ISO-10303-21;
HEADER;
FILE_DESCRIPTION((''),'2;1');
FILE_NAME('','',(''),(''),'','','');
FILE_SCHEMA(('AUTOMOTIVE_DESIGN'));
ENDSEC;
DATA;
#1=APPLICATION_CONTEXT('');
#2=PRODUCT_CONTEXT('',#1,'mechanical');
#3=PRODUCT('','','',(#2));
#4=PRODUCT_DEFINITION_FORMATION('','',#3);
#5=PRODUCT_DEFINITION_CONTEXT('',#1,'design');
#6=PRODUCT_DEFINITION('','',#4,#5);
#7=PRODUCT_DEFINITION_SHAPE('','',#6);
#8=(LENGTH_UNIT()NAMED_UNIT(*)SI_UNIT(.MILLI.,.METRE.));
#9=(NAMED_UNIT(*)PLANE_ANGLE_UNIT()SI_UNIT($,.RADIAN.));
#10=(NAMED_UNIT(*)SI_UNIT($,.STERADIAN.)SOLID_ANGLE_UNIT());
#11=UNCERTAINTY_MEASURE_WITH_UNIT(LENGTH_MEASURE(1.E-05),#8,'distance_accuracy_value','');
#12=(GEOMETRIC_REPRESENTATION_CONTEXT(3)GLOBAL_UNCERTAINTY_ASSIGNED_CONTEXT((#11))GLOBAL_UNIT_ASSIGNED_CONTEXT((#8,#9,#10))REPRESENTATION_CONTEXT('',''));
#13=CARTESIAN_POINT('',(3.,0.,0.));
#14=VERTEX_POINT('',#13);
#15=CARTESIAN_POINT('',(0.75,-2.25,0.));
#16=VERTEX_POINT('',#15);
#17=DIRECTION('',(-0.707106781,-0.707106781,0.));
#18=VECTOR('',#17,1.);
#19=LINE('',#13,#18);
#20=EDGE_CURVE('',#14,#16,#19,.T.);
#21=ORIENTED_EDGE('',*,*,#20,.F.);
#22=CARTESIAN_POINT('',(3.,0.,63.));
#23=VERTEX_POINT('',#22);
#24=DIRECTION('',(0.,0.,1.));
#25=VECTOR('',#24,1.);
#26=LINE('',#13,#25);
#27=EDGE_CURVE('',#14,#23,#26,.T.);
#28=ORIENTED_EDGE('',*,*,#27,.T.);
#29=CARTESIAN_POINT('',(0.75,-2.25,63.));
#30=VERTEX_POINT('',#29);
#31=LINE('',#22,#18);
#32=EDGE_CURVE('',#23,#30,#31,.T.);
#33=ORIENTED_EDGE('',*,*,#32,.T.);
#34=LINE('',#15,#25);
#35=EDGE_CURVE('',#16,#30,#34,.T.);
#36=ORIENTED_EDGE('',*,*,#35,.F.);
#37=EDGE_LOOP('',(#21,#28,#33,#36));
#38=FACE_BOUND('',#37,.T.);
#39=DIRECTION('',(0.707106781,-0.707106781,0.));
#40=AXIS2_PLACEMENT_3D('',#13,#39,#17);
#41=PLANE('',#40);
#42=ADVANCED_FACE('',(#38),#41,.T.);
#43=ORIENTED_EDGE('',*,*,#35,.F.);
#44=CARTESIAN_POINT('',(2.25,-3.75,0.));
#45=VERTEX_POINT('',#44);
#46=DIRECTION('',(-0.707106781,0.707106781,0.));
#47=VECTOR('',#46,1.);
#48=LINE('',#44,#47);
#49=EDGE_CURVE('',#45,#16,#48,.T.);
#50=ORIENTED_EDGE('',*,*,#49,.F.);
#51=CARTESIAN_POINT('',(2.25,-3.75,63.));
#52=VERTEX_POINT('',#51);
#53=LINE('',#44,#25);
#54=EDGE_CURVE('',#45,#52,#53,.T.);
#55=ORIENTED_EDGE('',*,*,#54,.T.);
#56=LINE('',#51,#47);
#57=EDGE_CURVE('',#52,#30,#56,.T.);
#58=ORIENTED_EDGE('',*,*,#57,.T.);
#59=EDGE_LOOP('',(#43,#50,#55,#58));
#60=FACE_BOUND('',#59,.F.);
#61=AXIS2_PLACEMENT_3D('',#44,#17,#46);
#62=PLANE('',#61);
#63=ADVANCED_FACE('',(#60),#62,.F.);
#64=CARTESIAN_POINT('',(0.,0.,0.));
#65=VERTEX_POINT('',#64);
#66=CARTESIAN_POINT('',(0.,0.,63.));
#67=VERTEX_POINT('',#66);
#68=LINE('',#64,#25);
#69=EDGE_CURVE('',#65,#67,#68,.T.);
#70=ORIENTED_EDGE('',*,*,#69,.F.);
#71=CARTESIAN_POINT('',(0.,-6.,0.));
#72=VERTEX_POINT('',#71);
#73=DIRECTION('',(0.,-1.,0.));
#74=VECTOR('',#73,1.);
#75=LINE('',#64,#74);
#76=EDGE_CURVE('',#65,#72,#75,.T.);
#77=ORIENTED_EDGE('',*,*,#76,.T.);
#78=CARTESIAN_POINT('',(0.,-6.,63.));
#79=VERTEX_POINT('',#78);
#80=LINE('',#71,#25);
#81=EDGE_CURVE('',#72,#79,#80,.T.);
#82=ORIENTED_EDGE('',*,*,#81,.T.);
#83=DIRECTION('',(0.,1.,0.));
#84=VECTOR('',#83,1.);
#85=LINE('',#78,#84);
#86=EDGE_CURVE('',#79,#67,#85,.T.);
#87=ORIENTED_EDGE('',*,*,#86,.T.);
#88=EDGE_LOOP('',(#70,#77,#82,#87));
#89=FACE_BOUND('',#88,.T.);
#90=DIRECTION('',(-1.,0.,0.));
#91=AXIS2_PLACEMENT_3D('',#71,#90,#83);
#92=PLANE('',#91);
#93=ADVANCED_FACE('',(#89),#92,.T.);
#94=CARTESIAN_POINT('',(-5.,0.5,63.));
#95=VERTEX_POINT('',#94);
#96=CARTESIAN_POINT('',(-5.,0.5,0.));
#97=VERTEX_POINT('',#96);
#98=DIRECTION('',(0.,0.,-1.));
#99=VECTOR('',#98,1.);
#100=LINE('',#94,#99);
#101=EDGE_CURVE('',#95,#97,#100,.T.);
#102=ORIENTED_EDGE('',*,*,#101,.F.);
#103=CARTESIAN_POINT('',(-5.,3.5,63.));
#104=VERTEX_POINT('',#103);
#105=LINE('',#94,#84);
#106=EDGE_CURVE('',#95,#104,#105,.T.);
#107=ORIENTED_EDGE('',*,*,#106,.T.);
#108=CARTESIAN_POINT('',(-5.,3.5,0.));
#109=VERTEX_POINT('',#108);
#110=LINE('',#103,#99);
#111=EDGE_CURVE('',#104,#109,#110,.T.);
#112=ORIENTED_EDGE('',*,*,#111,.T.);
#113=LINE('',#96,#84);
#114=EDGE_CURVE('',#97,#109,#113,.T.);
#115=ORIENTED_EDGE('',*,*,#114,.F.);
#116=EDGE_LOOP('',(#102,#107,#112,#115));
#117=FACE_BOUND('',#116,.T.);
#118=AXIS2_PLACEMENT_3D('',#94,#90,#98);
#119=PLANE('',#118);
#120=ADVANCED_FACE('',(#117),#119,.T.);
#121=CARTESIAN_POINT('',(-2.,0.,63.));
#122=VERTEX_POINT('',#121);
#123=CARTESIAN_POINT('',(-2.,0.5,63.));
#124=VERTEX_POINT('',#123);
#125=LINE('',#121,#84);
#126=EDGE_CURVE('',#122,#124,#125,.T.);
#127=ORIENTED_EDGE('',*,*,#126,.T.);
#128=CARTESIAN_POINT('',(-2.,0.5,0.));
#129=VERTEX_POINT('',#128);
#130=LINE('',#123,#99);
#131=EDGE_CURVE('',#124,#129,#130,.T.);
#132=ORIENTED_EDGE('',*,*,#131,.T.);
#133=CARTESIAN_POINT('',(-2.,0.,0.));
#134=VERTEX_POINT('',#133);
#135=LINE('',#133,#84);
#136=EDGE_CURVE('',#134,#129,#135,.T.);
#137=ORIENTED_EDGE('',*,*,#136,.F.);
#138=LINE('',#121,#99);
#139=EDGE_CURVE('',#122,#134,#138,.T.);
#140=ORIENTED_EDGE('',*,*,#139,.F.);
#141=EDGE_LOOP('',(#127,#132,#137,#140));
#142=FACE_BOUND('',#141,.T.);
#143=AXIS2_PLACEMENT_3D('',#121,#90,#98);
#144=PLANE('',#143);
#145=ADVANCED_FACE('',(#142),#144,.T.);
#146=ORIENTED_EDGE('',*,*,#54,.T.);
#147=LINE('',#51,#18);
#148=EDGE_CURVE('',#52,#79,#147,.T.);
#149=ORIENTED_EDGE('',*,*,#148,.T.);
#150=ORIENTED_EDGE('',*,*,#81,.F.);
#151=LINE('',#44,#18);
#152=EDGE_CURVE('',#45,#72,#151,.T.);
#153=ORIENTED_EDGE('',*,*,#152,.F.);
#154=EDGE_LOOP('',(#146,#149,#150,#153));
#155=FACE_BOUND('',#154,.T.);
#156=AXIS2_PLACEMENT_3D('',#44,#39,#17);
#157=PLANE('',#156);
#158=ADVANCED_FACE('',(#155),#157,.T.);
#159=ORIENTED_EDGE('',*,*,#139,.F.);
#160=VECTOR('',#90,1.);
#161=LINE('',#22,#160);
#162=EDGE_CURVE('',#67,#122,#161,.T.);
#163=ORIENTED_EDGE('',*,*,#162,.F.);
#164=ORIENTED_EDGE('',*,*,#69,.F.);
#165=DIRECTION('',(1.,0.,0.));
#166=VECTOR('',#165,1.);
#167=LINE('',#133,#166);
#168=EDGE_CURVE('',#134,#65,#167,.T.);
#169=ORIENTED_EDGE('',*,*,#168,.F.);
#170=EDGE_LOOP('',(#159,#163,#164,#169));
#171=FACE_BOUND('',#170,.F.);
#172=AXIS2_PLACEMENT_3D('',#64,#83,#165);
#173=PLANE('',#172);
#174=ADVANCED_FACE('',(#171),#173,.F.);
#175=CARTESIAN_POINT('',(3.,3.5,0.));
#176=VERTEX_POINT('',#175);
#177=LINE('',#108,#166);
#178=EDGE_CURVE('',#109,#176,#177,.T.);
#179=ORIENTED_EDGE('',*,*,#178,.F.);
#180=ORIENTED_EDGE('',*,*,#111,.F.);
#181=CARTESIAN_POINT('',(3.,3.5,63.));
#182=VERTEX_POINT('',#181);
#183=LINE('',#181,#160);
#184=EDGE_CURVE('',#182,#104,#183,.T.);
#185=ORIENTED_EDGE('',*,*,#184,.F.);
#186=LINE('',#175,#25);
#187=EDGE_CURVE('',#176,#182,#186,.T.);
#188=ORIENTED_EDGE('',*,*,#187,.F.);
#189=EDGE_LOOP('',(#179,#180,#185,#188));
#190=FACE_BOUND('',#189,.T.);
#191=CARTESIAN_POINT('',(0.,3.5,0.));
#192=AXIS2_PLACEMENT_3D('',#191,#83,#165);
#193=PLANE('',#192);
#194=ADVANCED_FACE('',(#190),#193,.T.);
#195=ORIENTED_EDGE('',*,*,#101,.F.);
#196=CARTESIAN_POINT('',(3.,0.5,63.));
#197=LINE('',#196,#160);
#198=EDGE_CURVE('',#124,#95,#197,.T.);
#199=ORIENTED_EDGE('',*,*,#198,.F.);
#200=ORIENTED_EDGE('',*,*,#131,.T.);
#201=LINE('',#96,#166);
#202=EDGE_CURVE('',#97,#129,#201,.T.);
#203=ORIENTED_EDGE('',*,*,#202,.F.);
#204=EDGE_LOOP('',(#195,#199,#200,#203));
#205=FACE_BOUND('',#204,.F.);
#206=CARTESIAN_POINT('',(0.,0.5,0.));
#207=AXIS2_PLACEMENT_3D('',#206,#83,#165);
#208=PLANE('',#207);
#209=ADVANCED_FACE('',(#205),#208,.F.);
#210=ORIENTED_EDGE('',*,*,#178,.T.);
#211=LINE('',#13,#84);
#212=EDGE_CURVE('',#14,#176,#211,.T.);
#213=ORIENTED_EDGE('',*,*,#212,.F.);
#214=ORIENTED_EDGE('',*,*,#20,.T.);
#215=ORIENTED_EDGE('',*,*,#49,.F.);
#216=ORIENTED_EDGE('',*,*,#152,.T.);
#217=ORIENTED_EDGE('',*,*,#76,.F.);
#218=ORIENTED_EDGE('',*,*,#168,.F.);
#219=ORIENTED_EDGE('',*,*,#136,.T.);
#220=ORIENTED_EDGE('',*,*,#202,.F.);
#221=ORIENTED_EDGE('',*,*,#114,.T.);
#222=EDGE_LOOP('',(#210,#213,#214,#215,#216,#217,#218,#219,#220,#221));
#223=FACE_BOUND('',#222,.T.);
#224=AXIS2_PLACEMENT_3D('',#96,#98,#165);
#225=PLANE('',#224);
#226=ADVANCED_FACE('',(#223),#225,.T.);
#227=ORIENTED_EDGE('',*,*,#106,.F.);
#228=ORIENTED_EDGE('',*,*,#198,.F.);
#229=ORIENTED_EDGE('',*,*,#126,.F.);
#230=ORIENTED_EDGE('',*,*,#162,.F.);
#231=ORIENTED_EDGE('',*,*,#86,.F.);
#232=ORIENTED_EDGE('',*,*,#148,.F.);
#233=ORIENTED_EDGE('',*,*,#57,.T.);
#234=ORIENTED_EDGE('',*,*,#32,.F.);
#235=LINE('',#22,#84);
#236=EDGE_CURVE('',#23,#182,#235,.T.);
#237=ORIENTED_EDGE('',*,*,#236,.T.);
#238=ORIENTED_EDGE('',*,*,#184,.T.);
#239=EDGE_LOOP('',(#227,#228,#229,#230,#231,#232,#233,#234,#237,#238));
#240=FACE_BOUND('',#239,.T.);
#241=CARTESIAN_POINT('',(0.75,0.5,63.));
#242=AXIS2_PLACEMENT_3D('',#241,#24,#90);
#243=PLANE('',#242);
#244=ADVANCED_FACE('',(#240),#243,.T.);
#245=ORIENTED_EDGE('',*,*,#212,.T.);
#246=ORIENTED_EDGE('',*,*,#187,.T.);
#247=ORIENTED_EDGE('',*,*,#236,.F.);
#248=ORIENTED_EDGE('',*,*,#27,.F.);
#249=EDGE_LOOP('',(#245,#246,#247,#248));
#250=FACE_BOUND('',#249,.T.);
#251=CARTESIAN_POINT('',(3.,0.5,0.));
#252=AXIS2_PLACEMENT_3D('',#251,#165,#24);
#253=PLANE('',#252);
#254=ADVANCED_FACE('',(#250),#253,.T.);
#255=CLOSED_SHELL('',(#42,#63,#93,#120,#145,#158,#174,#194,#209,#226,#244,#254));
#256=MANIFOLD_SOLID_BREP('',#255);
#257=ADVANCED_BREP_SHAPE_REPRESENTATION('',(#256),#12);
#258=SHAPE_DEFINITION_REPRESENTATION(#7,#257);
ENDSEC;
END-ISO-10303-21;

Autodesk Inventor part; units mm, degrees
ref_plane "YZ Plane" through (0, 0, 0) normal (1, 0, 0) x (0, 1, 0)
ref_plane "XZ Plane" through (0, 0, 0) normal (0, 1, 0) x (-1, 0, 0)
ref_plane "XY Plane" through (0, 0, 0) normal (0, 0, 1) x (1, 0, 0)
sketch "Sketch1" plane through (0, 0, 0) normal (0, 0, 1) x (1, 0, 0)
  line L0 (0, -6) -> (0, -3) construction
  line L1 (2.25, -3.75) -> (0, -6) construction
  line L2 (2.25, -3.75) -> (0, -6)
  line L3 (0, -6) -> (0, -3)
  line L4 (0, -3) -> (0, 0)
  line L5 (0.75, -2.25) -> (3, 0) construction
  line L6 (2.25, -3.75) -> (0.75, -2.25)
  line L7 (3, 0) -> (0.75, -2.25)
  line L8 (0, 0) -> (3, 0)
  point P0 (0, -1.5)
extrude "Extrusion1" add sketch "Sketch1" along normal blind 63
sketch "Sketch2" plane through (0, 0, 0) normal (0, 1, 0) x (1, 0, 0)
  line L0 (0.75, -63) -> (3, -63) projected
  line L1 (3, -63) -> (-2, -63)
  line L2 (-2, -63) -> (-2, 0)
  line L3 (-2, 0) -> (3, 0)
  line L4 (3, 0) -> (3, -63)
  point P0 (0, 0)
  dimension "d2" = 5
  dimension "d3" = 63
extrude "Extrusion2" add sketch "Sketch2" along normal blind 0.5
sketch "Sketch3" plane through (0, 0.5, 0) normal (0, 1, 0) x (1, 0, 0)
  line L0 (0.75, -63) -> (3, -63) projected
  line L1 (3, -63) -> (-5, -63)
  line L2 (-5, -63) -> (-5, 0)
  line L3 (-5, 0) -> (3, 0)
  line L4 (3, 0) -> (3, -63)
  point P0 (0, 0)
  dimension "d6" = 63
  dimension "d7" = 8
extrude "Extrusion3" add sketch "Sketch3" along normal blind 3
properties part number "SlidingLock"
